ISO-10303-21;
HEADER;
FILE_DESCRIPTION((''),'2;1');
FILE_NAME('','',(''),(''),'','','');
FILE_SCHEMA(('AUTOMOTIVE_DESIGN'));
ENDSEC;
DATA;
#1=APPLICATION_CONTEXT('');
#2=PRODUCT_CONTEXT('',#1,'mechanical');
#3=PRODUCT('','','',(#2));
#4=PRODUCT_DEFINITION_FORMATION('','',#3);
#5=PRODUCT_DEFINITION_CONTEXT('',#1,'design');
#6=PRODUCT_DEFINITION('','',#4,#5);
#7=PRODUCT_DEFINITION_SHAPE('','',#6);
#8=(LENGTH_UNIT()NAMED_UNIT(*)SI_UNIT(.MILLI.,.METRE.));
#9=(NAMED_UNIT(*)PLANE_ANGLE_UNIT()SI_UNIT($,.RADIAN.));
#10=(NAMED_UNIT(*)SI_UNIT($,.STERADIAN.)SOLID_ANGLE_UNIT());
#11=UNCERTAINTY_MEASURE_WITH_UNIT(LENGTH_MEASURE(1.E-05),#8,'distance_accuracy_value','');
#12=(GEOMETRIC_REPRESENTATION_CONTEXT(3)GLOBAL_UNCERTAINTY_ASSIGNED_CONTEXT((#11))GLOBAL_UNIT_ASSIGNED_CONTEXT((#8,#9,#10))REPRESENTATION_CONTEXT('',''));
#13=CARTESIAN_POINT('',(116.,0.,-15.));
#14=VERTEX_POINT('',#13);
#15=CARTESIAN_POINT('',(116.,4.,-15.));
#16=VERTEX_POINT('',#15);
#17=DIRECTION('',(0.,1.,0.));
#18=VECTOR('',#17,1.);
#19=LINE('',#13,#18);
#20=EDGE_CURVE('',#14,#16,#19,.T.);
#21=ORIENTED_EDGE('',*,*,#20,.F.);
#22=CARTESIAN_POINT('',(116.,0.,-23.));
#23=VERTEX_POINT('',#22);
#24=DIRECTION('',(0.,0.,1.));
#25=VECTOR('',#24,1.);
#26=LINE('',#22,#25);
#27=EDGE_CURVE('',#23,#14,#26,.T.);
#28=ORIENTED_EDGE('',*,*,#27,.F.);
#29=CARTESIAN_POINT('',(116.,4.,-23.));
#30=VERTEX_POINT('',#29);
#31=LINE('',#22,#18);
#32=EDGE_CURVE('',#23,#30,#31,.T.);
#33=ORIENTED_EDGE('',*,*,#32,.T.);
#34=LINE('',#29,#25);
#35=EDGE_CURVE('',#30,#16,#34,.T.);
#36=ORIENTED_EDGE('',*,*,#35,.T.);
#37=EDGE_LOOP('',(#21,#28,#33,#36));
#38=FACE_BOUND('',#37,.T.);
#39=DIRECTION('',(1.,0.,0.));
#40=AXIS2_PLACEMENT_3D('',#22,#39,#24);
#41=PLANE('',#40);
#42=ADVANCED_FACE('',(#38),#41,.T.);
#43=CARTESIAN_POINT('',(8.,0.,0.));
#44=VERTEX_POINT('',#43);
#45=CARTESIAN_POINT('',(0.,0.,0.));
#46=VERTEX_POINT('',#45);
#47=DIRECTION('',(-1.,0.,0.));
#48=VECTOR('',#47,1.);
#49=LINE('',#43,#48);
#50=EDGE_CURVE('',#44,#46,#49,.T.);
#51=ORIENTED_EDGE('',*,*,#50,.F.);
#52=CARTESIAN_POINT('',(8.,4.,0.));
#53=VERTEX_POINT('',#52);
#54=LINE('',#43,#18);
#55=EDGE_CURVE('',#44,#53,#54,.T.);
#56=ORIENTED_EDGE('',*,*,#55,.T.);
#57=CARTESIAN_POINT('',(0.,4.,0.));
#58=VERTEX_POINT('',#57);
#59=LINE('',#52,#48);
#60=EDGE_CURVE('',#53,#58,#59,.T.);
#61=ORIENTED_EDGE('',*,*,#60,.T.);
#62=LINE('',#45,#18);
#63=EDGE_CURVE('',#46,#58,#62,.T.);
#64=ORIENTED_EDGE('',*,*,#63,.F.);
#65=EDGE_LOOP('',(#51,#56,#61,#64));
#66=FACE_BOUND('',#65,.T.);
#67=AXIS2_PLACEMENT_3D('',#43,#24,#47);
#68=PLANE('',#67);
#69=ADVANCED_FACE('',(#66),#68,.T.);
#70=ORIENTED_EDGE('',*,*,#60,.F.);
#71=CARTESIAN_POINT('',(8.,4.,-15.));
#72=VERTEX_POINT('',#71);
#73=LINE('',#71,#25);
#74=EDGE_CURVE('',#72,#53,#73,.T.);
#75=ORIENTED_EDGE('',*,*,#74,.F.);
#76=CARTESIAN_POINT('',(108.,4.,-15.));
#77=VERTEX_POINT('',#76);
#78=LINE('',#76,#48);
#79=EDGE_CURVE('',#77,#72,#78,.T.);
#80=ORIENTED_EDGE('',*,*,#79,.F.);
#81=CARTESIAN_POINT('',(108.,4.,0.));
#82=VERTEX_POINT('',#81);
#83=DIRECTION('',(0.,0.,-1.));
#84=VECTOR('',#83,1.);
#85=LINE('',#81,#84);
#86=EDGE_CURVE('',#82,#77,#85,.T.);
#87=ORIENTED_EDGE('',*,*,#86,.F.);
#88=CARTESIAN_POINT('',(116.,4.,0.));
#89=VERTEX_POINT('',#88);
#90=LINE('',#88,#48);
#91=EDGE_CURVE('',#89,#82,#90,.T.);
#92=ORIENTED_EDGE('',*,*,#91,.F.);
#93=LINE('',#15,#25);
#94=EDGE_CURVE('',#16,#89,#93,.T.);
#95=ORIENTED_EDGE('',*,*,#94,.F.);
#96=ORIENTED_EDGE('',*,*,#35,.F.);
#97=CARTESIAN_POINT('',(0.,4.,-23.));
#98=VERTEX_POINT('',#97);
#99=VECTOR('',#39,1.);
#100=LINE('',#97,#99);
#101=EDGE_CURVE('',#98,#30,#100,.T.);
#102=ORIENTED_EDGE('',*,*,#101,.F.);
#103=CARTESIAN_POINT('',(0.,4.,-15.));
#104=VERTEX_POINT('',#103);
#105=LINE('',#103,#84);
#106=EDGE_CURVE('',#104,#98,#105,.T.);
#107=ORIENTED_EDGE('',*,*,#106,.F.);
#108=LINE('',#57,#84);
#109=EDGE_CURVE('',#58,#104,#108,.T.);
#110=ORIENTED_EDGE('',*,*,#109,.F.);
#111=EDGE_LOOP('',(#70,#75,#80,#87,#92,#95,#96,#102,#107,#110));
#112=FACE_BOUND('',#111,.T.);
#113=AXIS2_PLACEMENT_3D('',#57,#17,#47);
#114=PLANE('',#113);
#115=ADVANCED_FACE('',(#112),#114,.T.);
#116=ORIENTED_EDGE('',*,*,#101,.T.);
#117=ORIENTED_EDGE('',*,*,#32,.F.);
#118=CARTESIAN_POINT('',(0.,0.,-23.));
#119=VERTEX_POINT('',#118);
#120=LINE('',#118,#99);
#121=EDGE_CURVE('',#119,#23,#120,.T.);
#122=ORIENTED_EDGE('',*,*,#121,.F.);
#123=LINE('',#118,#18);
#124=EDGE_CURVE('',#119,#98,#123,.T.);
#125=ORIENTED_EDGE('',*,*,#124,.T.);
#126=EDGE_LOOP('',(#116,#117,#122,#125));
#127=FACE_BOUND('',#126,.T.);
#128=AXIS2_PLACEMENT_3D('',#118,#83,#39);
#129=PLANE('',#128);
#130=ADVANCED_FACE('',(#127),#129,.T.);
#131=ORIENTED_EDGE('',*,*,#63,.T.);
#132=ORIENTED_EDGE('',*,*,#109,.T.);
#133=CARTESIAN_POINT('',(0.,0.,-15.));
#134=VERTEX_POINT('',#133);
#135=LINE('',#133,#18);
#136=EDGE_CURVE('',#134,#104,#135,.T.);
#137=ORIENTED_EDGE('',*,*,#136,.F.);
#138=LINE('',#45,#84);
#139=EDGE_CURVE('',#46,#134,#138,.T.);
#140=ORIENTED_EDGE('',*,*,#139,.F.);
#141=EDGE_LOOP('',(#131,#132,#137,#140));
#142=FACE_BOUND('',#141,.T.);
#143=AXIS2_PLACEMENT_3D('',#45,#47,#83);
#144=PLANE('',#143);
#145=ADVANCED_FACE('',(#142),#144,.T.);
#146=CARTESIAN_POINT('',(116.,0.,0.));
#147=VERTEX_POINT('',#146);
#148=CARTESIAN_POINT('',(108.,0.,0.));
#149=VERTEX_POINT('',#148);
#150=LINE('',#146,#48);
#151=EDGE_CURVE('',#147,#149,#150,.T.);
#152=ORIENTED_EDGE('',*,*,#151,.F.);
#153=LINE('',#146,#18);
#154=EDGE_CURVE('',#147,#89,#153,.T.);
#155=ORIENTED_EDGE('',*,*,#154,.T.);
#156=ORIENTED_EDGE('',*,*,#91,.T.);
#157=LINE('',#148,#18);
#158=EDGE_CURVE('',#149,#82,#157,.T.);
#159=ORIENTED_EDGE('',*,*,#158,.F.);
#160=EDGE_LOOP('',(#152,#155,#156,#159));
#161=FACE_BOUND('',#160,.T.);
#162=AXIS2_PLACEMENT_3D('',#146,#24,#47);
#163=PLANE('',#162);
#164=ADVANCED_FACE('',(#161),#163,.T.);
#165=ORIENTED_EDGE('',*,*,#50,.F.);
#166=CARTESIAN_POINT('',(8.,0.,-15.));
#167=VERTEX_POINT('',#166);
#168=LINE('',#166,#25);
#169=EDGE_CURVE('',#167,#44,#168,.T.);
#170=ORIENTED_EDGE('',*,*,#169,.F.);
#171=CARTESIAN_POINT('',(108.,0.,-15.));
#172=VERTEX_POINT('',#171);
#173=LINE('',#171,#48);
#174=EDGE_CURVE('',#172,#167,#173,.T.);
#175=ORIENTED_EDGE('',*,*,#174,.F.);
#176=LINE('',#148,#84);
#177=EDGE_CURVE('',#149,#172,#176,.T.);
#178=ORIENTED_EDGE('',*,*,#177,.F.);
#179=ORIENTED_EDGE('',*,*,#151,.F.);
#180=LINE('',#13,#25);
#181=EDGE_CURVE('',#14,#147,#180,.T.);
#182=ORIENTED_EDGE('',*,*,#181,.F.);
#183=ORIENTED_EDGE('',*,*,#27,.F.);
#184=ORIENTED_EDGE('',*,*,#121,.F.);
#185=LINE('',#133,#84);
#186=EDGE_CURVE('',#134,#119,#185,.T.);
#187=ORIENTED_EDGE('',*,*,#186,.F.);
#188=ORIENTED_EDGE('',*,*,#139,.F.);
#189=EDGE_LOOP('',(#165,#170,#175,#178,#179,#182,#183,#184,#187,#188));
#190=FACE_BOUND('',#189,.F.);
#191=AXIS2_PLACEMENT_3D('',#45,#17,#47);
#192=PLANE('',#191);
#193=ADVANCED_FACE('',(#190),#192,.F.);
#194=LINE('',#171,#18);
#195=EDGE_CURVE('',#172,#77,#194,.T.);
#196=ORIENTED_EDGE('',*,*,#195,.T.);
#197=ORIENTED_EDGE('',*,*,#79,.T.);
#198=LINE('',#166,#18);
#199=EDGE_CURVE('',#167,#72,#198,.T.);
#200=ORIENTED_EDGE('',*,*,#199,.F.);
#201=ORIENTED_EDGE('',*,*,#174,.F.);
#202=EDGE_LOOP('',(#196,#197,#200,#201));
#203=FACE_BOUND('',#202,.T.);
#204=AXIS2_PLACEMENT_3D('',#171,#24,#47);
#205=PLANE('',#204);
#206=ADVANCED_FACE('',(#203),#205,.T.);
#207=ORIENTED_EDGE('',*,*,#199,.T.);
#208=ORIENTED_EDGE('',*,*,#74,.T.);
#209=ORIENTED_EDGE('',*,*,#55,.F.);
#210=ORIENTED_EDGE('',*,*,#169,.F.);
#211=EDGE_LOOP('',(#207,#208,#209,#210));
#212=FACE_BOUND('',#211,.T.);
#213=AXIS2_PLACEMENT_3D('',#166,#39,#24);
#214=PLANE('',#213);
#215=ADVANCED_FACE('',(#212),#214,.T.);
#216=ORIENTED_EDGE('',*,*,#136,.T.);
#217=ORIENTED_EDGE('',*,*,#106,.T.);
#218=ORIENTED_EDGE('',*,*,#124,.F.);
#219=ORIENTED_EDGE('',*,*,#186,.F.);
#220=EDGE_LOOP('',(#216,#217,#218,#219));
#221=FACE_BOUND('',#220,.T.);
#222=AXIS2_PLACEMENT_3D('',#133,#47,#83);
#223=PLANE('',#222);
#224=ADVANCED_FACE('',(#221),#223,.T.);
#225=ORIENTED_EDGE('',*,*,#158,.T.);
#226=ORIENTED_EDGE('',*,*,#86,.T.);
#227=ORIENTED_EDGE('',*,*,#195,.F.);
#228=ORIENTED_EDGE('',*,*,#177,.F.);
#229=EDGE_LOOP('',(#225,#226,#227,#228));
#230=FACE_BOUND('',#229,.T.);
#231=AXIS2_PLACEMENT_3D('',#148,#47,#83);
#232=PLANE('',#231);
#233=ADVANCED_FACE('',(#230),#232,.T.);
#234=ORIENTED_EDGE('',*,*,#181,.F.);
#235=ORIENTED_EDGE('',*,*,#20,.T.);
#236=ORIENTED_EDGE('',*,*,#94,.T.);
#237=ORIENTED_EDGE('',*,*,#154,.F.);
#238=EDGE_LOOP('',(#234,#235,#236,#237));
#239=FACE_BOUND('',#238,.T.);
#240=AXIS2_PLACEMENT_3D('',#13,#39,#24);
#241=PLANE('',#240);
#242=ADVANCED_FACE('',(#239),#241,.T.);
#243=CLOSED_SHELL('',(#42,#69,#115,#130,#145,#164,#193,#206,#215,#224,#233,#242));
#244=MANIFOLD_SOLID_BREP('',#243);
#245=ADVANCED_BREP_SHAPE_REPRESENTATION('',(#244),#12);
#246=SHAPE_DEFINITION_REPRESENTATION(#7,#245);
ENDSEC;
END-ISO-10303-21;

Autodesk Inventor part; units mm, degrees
ref_plane "YZ Plane" through (0, 0, 0) normal (1, 0, 0) x (0, 1, 0)
ref_plane "XZ Plane" through (0, 0, 0) normal (0, 1, 0) x (-1, 0, 0)
ref_plane "XY Plane" through (0, 0, 0) normal (0, 0, 1) x (1, 0, 0)
sketch "Sketch1" plane through (0, 0, 0) normal (0, 1, 0) x (-1, 0, 0)
  line L0 (0, 0) -> (0, -15)
  line L1 (0, -15) -> (0, -23)
  line L2 (0, -23) -> (-116, -23)
  line L3 (-116, -23) -> (-116, -15)
  line L4 (-116, -15) -> (-116, 0)
  line L5 (-116, 0) -> (-108, 0)
  line L6 (-108, 0) -> (-108, -15)
  line L7 (-108, -15) -> (-8, -15)
  line L8 (-8, -15) -> (-8, 0)
  line L9 (-8, 0) -> (0, 0)
  dimension "d243" = 8
  dimension "d245" = 100
  dimension "d246" = 15
extrude "Extrusion1" add sketch "Sketch1" along normal blind 4
properties part number "Langbektang houder"
